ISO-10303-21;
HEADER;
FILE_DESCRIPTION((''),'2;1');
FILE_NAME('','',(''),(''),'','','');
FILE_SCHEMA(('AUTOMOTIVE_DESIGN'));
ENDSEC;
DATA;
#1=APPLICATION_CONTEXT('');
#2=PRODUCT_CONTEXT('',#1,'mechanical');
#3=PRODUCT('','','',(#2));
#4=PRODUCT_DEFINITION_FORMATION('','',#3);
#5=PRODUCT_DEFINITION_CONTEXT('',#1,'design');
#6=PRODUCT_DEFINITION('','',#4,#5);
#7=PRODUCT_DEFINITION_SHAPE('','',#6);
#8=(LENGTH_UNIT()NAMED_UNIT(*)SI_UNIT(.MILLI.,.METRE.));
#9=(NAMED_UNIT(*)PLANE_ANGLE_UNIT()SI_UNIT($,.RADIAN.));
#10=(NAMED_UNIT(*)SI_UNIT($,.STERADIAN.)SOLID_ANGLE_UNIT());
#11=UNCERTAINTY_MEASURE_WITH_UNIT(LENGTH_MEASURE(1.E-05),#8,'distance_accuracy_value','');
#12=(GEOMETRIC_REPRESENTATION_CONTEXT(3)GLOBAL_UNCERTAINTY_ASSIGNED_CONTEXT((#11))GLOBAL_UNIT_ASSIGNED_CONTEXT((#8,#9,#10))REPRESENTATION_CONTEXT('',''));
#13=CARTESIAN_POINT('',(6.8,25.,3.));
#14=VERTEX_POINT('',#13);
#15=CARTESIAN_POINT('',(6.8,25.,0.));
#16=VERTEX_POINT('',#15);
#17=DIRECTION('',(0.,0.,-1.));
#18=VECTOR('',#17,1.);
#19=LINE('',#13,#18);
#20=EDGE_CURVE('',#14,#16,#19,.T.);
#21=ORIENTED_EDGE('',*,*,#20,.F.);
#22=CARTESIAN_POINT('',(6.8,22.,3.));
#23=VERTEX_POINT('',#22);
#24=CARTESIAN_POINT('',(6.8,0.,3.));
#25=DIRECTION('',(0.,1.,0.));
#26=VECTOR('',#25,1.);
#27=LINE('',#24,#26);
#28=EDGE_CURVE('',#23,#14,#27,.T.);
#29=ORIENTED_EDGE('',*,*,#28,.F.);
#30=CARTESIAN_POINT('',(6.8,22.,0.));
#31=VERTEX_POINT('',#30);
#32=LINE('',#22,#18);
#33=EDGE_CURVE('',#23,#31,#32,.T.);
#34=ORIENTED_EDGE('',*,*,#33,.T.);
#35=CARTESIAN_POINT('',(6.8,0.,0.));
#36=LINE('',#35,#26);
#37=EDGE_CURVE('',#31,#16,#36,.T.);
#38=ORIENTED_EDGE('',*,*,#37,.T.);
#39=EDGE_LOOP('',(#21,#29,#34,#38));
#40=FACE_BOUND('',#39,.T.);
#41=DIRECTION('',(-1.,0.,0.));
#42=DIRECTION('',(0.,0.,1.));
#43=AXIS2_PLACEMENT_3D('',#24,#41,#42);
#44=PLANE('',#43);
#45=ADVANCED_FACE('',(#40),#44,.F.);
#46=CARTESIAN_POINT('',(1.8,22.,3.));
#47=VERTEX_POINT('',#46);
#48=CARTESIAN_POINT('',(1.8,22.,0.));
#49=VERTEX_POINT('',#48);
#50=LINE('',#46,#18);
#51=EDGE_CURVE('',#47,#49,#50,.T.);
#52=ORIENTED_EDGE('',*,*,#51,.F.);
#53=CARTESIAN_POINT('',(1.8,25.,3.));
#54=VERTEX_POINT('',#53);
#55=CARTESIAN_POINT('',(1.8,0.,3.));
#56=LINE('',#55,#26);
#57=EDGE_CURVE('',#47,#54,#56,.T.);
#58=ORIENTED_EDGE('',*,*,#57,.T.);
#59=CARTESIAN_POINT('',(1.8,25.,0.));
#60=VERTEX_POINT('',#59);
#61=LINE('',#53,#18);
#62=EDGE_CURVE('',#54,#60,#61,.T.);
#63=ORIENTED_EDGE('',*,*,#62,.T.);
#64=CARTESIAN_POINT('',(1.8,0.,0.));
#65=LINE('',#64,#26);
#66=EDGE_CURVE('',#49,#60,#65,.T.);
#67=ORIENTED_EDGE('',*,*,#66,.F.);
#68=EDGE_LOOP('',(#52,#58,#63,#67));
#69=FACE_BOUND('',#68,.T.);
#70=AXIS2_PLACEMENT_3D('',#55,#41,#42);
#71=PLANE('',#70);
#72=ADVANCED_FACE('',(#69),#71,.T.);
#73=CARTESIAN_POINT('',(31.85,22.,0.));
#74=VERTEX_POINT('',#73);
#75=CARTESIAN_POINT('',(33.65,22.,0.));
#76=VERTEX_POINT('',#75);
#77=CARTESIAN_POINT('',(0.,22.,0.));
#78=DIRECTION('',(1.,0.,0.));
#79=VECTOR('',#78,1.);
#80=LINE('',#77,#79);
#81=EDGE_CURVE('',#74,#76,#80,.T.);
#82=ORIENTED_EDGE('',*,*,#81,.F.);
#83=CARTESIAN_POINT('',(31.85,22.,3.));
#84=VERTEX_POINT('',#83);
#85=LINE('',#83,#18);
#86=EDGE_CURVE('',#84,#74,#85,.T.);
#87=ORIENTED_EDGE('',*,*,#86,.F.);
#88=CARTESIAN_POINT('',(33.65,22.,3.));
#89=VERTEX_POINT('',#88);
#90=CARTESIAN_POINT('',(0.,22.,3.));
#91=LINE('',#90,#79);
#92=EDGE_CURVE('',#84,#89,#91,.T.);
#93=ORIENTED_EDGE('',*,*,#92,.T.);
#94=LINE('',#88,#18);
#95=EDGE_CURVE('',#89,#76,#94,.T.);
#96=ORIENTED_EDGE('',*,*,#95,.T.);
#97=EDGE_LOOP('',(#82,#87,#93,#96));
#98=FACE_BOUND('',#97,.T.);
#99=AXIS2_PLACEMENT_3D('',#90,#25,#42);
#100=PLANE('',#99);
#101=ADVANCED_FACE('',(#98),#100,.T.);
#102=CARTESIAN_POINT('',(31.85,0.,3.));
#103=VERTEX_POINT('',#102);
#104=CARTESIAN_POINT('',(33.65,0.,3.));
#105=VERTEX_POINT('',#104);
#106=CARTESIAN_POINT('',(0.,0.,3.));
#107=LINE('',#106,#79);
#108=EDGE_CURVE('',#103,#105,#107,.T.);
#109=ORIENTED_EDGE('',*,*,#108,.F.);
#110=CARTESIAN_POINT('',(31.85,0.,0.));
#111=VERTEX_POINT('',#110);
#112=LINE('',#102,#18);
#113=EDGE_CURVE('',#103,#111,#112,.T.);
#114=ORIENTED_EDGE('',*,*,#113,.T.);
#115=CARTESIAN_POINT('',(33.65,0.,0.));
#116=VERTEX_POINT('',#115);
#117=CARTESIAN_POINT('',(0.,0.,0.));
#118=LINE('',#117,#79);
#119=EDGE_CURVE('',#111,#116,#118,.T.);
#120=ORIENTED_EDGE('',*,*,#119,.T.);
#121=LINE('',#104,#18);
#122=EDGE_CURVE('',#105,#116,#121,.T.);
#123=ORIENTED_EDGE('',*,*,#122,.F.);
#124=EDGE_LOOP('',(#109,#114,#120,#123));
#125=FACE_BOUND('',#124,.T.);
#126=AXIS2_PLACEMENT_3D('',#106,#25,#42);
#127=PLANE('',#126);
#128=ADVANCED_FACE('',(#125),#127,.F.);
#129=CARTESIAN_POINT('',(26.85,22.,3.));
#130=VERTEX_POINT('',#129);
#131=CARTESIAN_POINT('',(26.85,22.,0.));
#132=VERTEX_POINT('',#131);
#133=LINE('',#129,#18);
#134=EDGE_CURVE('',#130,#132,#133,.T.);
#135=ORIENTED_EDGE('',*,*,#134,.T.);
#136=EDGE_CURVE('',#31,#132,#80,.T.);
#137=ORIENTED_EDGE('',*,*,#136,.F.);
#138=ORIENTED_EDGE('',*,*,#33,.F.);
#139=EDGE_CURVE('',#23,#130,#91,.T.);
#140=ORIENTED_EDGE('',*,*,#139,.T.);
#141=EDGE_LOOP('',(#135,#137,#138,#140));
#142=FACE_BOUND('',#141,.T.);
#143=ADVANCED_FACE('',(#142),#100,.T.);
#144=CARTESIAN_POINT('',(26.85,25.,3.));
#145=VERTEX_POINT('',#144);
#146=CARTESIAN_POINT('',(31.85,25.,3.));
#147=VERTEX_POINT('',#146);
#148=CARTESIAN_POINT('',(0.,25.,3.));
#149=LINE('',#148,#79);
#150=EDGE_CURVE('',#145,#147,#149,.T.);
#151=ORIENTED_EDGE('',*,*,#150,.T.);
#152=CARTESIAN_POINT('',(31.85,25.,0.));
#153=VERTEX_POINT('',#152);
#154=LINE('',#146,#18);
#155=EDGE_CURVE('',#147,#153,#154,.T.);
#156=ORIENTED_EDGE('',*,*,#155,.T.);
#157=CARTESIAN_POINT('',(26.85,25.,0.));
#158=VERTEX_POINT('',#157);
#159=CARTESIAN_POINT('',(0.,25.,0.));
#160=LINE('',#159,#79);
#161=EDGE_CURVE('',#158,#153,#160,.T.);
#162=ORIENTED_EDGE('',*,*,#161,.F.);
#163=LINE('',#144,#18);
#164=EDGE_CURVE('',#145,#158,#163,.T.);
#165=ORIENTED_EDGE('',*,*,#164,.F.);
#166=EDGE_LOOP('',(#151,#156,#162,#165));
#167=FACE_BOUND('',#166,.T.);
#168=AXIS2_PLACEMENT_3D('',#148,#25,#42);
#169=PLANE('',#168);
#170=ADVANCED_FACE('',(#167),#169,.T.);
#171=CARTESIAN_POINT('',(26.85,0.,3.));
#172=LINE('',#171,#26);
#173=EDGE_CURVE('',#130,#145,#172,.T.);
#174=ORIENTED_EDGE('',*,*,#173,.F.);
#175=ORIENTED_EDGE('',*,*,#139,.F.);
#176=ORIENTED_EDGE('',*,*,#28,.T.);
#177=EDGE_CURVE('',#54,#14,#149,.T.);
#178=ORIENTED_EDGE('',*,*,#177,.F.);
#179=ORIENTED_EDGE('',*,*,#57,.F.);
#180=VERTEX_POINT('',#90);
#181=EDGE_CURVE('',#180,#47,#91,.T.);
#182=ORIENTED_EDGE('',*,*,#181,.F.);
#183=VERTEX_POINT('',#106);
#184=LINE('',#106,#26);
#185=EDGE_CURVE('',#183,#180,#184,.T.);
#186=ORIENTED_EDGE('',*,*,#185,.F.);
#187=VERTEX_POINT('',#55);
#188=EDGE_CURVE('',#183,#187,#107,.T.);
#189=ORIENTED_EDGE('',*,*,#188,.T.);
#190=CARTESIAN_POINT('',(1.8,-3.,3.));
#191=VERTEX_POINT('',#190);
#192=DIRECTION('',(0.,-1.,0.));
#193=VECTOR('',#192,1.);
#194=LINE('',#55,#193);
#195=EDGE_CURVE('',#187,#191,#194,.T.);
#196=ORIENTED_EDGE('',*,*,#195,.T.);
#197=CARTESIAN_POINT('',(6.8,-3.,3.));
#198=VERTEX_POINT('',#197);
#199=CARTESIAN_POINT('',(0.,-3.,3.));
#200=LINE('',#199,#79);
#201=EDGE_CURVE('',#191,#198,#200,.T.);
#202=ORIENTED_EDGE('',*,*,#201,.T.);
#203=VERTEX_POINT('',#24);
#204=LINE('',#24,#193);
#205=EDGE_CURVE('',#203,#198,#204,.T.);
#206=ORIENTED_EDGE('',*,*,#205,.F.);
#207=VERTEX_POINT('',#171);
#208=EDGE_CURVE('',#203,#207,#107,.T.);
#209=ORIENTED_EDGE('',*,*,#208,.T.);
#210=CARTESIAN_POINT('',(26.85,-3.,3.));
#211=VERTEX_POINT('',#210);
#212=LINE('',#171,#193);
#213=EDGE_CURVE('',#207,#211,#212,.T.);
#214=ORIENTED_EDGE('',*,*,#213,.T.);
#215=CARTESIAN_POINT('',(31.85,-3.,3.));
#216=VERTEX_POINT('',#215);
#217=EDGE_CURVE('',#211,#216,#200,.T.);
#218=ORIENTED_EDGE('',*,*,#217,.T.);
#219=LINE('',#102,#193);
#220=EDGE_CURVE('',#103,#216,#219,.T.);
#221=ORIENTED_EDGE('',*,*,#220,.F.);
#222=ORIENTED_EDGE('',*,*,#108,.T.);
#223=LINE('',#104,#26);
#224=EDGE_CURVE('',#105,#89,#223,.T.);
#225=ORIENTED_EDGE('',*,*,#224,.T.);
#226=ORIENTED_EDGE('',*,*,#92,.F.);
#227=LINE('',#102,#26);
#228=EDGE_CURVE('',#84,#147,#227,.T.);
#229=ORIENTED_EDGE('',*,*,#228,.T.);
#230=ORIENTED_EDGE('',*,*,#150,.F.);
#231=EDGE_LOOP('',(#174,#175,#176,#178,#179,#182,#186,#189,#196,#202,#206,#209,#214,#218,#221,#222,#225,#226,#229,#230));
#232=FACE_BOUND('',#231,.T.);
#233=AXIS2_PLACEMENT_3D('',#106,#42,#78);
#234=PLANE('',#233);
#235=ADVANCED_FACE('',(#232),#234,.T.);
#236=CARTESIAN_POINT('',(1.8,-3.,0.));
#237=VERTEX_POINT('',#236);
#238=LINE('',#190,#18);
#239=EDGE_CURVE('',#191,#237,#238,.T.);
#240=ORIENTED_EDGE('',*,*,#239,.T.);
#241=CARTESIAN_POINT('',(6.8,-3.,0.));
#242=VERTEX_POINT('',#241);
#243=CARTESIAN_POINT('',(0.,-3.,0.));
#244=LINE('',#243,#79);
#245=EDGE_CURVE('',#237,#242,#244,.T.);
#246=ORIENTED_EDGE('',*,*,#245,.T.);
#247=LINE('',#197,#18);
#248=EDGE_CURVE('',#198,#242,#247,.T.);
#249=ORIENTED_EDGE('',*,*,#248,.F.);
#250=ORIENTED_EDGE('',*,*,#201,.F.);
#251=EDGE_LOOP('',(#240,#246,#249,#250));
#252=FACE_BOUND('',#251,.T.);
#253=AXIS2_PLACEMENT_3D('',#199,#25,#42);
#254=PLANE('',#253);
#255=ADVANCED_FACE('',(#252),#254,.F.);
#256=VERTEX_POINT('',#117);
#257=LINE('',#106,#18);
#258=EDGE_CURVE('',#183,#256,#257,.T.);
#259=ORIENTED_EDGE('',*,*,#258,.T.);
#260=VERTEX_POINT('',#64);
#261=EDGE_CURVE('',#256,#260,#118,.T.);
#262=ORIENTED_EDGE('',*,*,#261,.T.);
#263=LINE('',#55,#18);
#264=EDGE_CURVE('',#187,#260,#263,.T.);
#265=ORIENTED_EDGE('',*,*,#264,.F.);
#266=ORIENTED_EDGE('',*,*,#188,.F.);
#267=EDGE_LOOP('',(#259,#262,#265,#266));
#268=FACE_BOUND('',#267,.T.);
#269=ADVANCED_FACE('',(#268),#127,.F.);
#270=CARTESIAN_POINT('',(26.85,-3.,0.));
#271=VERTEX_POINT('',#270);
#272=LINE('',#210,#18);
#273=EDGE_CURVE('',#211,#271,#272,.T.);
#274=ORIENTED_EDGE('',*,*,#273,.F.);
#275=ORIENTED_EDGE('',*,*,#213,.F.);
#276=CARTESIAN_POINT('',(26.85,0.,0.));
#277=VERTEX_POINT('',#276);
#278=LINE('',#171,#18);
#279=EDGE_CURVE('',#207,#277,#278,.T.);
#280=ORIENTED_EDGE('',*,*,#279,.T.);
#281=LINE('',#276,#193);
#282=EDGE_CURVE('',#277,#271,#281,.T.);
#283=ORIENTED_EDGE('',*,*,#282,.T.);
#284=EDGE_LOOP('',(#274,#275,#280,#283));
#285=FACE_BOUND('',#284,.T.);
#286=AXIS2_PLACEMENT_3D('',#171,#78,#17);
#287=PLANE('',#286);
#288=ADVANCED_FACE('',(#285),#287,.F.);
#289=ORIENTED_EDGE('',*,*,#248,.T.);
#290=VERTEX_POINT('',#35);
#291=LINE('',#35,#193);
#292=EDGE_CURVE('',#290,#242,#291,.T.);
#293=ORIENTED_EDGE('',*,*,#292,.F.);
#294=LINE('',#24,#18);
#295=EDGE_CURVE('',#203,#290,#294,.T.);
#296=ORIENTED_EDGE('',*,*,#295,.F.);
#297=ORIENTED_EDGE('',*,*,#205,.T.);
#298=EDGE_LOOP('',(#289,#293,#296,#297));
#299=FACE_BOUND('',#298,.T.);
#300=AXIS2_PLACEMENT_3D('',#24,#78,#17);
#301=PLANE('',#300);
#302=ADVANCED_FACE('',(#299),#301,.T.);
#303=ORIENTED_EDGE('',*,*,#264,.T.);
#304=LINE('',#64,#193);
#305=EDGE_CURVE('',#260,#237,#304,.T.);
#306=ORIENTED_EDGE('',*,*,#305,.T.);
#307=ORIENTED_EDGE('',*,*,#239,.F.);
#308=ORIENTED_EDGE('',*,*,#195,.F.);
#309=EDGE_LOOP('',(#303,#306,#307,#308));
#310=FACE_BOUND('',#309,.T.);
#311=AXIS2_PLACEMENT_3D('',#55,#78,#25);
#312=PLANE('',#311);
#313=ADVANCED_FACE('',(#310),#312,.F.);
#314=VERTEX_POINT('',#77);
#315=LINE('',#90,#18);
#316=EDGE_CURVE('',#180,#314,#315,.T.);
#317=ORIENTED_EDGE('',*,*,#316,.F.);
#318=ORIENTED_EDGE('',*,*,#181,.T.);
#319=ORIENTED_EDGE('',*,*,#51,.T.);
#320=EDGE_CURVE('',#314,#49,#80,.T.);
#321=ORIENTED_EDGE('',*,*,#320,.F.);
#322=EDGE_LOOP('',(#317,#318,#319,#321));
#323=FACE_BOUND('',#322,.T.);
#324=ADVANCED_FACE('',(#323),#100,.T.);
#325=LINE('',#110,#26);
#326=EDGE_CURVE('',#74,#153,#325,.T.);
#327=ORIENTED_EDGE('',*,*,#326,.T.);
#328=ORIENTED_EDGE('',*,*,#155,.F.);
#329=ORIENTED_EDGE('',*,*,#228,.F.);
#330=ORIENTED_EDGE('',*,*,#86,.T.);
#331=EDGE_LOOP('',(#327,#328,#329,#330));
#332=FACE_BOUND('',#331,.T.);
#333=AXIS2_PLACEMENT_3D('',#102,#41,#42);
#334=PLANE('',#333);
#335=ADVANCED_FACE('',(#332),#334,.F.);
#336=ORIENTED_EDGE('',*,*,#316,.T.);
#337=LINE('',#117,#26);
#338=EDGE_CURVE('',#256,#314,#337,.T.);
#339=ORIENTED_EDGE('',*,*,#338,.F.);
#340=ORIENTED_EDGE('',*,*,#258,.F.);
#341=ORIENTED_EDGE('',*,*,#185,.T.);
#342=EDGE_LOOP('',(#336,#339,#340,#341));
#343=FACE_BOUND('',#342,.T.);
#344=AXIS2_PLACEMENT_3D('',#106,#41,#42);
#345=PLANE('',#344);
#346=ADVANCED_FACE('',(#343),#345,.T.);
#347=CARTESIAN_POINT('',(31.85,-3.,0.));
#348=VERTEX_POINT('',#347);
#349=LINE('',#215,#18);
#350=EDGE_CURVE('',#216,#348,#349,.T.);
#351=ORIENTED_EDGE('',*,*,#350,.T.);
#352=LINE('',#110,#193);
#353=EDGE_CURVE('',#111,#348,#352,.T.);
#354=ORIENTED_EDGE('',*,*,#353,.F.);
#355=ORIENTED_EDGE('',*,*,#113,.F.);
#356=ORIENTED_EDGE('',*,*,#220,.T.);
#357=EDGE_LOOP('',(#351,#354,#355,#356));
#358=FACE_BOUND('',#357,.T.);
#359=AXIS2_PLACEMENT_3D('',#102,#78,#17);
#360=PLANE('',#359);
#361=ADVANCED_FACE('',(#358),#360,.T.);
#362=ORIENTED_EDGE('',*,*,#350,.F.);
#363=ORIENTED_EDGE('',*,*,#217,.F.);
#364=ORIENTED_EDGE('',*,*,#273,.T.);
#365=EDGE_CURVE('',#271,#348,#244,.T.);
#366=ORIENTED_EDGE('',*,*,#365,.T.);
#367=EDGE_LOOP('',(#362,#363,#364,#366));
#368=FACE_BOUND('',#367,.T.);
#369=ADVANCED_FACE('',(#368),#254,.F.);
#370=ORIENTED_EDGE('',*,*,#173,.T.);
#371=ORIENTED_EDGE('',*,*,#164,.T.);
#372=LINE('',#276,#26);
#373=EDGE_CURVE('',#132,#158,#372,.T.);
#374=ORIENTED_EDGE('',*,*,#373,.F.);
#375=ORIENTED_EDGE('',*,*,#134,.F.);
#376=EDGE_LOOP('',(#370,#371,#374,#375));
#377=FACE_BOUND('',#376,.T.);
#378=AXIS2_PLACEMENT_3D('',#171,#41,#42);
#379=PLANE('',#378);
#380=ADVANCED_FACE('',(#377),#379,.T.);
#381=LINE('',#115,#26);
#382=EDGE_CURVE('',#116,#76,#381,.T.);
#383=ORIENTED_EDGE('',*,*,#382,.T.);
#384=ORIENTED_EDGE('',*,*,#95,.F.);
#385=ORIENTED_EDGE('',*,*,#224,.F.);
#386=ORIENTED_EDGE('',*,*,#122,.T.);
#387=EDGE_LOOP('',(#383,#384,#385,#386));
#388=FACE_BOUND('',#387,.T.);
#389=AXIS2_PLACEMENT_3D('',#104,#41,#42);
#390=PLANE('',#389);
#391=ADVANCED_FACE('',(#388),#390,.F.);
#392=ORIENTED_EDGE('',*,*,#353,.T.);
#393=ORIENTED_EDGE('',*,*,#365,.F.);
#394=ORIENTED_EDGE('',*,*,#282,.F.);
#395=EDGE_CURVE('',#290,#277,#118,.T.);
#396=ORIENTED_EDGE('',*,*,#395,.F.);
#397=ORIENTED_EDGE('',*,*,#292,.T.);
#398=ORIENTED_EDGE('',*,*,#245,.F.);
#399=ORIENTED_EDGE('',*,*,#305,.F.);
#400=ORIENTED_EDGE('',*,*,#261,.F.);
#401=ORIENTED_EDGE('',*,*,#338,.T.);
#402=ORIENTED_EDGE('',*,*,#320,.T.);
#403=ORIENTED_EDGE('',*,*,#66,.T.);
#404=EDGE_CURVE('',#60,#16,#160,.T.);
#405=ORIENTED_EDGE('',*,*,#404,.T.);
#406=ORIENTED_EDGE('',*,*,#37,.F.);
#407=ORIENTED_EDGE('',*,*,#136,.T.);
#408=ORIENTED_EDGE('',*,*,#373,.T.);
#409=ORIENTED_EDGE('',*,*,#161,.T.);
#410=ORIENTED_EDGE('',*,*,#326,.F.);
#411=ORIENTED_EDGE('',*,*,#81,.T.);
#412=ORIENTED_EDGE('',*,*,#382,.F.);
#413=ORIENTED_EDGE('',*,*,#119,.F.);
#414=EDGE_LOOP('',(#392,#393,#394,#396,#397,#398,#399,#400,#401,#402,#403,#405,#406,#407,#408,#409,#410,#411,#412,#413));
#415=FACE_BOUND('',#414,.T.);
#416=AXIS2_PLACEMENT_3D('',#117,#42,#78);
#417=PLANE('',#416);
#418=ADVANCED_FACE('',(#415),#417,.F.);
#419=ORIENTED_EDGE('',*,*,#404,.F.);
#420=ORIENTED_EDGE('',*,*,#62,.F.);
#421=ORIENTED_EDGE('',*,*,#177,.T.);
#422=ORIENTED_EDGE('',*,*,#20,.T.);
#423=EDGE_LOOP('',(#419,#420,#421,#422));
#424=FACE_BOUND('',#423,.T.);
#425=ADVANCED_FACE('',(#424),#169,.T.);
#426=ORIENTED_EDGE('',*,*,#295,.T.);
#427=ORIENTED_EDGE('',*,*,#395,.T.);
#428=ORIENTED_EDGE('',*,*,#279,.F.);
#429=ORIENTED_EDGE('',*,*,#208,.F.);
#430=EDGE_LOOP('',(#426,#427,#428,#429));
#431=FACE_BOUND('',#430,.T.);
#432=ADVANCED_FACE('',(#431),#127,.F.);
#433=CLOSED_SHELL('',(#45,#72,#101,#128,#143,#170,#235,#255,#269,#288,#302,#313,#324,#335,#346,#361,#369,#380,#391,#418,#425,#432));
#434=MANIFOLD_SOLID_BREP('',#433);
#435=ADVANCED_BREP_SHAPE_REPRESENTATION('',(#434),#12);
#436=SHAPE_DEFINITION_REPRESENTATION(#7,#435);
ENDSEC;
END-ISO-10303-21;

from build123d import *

# Parameters (mm, degrees)
SALIENTE_EXTRUIR1_DEPTH = 3


with BuildPart() as part:
    # Croquis3 → Saliente-Extruir1 (new body)
    with BuildSketch(Plane.XY):
        Polygon((8.6, 0), (25.05, 0), (26.85, 0), (26.85, -3), (31.85, -3), (31.85, 0), (33.65, 0), (33.65, 22), (31.85, 22), (31.85, 25), (26.85, 25), (26.85, 22), (6.8, 22), (6.8, 25), (1.8, 25), (1.8, 22), (0, 22), (0, 0), (1.8, 0), (1.8, -3), (6.8, -3), (6.8, 0), align=None)
    extrude(amount=SALIENTE_EXTRUIR1_DEPTH)


solid = part.part
